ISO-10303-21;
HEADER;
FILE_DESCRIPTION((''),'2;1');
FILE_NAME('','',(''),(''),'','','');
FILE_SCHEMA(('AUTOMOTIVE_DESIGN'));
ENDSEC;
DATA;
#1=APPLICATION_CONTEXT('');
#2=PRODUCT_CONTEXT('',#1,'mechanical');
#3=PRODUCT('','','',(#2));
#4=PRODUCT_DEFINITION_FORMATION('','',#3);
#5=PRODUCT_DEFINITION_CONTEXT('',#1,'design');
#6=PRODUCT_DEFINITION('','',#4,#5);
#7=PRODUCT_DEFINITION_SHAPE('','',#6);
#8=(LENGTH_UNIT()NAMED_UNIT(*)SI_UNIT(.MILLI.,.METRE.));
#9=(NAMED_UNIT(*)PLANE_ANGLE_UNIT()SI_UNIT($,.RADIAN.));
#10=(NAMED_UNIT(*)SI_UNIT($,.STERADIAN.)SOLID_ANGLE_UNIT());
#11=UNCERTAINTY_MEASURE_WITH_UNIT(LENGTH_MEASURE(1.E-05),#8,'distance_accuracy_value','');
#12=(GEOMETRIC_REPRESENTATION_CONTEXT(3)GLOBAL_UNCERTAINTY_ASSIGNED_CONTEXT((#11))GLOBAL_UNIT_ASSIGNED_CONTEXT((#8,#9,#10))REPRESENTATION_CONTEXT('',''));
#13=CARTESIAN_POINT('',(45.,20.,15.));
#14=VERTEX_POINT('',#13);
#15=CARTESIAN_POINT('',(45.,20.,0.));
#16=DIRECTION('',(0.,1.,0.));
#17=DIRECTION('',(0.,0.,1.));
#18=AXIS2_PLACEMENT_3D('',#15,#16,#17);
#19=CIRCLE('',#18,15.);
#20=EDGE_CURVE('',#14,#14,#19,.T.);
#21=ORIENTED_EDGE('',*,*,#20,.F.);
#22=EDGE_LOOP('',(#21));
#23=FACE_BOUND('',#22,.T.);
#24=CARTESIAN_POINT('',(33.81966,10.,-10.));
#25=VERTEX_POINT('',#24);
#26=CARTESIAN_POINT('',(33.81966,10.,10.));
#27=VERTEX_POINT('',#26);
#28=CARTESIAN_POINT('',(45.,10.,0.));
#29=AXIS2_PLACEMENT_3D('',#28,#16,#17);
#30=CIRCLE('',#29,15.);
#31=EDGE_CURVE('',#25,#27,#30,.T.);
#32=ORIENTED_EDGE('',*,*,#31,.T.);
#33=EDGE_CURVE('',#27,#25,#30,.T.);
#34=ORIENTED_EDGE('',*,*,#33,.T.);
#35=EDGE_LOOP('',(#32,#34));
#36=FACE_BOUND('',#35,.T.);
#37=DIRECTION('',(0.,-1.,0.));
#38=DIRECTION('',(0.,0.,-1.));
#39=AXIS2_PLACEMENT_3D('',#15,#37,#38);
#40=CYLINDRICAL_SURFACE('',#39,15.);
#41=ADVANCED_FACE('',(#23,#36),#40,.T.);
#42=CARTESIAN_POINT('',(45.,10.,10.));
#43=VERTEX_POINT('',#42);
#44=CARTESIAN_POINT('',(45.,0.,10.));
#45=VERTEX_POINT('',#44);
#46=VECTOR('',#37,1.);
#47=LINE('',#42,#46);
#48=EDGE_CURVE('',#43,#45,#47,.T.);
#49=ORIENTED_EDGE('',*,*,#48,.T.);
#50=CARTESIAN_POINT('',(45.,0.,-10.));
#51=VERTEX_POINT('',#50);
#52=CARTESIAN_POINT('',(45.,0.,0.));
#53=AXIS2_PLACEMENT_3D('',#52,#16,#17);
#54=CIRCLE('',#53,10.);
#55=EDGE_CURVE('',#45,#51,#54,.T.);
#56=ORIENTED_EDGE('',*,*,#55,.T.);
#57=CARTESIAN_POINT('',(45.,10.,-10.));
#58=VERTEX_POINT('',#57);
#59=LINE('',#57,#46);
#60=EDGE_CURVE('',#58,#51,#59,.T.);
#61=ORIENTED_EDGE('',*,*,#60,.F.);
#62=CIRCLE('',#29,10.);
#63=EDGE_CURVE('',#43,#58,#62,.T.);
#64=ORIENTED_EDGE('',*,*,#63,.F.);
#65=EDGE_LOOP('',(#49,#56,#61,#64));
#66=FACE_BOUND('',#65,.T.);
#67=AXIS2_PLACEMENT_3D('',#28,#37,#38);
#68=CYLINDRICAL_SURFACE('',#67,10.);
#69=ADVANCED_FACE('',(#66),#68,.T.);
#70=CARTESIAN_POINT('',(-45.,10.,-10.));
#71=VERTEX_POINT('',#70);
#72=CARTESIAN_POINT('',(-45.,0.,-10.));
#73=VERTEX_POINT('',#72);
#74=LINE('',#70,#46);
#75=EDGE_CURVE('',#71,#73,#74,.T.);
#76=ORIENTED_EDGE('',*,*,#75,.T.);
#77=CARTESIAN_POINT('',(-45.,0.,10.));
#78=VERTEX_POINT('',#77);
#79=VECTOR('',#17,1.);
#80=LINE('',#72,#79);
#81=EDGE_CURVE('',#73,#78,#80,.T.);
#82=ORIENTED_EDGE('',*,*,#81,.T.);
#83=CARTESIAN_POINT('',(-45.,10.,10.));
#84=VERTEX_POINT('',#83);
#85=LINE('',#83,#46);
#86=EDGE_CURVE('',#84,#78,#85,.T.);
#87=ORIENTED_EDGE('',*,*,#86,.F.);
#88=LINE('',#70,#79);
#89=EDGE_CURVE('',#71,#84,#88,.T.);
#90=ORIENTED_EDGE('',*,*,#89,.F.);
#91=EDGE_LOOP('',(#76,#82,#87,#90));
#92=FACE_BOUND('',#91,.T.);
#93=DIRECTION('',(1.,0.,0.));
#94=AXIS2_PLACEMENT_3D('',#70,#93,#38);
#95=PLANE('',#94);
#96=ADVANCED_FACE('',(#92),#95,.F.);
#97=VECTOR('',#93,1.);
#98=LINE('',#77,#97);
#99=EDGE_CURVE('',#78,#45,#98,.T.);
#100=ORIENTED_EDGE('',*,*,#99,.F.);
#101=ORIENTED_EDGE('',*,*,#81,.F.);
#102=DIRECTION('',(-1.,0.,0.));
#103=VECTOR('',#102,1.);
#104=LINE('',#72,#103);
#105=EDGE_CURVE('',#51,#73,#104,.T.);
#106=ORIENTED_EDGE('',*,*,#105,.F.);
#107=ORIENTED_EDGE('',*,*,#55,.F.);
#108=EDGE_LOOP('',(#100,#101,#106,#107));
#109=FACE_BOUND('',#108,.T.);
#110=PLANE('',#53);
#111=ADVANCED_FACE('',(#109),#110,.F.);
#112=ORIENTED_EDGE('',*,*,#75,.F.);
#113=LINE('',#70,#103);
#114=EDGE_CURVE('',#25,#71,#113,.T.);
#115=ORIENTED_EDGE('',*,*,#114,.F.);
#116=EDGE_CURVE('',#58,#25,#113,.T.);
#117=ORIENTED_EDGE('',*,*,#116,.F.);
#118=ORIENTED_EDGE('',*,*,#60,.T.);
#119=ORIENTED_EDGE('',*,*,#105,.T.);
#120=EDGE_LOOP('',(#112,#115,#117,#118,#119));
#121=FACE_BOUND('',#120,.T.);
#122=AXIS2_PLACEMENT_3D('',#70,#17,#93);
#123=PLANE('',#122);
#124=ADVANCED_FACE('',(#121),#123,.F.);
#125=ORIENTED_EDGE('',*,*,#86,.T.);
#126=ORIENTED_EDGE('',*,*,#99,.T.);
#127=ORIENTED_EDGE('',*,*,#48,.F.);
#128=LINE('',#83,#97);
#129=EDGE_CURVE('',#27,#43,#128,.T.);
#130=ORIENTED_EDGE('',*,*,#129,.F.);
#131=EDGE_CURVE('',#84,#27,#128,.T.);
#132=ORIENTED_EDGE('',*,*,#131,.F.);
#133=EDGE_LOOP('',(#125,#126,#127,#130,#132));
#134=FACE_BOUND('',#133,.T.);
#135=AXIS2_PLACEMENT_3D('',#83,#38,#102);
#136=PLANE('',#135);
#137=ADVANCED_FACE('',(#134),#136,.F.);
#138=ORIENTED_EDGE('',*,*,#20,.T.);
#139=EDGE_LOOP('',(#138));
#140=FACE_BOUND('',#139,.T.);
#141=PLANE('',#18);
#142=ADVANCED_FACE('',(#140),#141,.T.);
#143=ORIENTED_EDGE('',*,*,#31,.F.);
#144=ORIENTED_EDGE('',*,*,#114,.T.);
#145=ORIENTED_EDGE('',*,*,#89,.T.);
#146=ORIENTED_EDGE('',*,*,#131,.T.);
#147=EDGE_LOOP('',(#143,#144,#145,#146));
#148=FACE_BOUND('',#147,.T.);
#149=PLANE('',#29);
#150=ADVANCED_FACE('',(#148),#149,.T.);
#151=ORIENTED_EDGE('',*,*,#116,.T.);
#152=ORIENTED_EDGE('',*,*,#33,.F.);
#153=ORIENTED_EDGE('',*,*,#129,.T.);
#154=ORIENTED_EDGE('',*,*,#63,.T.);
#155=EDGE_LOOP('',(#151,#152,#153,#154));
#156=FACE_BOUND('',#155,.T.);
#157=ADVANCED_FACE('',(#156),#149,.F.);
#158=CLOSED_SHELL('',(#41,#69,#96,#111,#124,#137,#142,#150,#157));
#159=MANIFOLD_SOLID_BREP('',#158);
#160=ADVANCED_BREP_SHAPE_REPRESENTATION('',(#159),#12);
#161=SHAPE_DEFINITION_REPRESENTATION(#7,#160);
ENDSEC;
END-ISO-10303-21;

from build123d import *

# Parameters (mm, degrees)
ARM1_DEPTH          = 10
SKETCH3_R           = 15
BOSS_EXTRUDE2_DEPTH = 10


with BuildPart() as part:
    # Sketch1 → arm1 (new body)
    with BuildSketch(Plane(origin=(0, 0, 0), x_dir=(1, 0, 0), z_dir=(0, 1, 0))):
        with BuildLine():
            Line((-45, 10), (45, 10))
            ThreePointArc((45, 10), (55, 0), (45, -10))
            Line((45, -10), (-45, -10))
            Line((-45, -10), (-45, 10))
        make_face()
    extrude(amount=ARM1_DEPTH)

    # Sketch3 → Boss-Extrude2 (add)
    with BuildSketch(Plane(origin=(0, 10, 0), x_dir=(1, 0, 0), z_dir=(0, 1, 0))):
        with Locations(Location((45, 0, 0), (0, 0, 138.189685104))):
            Circle(SKETCH3_R)
    extrude(amount=BOSS_EXTRUDE2_DEPTH)


solid = part.part
